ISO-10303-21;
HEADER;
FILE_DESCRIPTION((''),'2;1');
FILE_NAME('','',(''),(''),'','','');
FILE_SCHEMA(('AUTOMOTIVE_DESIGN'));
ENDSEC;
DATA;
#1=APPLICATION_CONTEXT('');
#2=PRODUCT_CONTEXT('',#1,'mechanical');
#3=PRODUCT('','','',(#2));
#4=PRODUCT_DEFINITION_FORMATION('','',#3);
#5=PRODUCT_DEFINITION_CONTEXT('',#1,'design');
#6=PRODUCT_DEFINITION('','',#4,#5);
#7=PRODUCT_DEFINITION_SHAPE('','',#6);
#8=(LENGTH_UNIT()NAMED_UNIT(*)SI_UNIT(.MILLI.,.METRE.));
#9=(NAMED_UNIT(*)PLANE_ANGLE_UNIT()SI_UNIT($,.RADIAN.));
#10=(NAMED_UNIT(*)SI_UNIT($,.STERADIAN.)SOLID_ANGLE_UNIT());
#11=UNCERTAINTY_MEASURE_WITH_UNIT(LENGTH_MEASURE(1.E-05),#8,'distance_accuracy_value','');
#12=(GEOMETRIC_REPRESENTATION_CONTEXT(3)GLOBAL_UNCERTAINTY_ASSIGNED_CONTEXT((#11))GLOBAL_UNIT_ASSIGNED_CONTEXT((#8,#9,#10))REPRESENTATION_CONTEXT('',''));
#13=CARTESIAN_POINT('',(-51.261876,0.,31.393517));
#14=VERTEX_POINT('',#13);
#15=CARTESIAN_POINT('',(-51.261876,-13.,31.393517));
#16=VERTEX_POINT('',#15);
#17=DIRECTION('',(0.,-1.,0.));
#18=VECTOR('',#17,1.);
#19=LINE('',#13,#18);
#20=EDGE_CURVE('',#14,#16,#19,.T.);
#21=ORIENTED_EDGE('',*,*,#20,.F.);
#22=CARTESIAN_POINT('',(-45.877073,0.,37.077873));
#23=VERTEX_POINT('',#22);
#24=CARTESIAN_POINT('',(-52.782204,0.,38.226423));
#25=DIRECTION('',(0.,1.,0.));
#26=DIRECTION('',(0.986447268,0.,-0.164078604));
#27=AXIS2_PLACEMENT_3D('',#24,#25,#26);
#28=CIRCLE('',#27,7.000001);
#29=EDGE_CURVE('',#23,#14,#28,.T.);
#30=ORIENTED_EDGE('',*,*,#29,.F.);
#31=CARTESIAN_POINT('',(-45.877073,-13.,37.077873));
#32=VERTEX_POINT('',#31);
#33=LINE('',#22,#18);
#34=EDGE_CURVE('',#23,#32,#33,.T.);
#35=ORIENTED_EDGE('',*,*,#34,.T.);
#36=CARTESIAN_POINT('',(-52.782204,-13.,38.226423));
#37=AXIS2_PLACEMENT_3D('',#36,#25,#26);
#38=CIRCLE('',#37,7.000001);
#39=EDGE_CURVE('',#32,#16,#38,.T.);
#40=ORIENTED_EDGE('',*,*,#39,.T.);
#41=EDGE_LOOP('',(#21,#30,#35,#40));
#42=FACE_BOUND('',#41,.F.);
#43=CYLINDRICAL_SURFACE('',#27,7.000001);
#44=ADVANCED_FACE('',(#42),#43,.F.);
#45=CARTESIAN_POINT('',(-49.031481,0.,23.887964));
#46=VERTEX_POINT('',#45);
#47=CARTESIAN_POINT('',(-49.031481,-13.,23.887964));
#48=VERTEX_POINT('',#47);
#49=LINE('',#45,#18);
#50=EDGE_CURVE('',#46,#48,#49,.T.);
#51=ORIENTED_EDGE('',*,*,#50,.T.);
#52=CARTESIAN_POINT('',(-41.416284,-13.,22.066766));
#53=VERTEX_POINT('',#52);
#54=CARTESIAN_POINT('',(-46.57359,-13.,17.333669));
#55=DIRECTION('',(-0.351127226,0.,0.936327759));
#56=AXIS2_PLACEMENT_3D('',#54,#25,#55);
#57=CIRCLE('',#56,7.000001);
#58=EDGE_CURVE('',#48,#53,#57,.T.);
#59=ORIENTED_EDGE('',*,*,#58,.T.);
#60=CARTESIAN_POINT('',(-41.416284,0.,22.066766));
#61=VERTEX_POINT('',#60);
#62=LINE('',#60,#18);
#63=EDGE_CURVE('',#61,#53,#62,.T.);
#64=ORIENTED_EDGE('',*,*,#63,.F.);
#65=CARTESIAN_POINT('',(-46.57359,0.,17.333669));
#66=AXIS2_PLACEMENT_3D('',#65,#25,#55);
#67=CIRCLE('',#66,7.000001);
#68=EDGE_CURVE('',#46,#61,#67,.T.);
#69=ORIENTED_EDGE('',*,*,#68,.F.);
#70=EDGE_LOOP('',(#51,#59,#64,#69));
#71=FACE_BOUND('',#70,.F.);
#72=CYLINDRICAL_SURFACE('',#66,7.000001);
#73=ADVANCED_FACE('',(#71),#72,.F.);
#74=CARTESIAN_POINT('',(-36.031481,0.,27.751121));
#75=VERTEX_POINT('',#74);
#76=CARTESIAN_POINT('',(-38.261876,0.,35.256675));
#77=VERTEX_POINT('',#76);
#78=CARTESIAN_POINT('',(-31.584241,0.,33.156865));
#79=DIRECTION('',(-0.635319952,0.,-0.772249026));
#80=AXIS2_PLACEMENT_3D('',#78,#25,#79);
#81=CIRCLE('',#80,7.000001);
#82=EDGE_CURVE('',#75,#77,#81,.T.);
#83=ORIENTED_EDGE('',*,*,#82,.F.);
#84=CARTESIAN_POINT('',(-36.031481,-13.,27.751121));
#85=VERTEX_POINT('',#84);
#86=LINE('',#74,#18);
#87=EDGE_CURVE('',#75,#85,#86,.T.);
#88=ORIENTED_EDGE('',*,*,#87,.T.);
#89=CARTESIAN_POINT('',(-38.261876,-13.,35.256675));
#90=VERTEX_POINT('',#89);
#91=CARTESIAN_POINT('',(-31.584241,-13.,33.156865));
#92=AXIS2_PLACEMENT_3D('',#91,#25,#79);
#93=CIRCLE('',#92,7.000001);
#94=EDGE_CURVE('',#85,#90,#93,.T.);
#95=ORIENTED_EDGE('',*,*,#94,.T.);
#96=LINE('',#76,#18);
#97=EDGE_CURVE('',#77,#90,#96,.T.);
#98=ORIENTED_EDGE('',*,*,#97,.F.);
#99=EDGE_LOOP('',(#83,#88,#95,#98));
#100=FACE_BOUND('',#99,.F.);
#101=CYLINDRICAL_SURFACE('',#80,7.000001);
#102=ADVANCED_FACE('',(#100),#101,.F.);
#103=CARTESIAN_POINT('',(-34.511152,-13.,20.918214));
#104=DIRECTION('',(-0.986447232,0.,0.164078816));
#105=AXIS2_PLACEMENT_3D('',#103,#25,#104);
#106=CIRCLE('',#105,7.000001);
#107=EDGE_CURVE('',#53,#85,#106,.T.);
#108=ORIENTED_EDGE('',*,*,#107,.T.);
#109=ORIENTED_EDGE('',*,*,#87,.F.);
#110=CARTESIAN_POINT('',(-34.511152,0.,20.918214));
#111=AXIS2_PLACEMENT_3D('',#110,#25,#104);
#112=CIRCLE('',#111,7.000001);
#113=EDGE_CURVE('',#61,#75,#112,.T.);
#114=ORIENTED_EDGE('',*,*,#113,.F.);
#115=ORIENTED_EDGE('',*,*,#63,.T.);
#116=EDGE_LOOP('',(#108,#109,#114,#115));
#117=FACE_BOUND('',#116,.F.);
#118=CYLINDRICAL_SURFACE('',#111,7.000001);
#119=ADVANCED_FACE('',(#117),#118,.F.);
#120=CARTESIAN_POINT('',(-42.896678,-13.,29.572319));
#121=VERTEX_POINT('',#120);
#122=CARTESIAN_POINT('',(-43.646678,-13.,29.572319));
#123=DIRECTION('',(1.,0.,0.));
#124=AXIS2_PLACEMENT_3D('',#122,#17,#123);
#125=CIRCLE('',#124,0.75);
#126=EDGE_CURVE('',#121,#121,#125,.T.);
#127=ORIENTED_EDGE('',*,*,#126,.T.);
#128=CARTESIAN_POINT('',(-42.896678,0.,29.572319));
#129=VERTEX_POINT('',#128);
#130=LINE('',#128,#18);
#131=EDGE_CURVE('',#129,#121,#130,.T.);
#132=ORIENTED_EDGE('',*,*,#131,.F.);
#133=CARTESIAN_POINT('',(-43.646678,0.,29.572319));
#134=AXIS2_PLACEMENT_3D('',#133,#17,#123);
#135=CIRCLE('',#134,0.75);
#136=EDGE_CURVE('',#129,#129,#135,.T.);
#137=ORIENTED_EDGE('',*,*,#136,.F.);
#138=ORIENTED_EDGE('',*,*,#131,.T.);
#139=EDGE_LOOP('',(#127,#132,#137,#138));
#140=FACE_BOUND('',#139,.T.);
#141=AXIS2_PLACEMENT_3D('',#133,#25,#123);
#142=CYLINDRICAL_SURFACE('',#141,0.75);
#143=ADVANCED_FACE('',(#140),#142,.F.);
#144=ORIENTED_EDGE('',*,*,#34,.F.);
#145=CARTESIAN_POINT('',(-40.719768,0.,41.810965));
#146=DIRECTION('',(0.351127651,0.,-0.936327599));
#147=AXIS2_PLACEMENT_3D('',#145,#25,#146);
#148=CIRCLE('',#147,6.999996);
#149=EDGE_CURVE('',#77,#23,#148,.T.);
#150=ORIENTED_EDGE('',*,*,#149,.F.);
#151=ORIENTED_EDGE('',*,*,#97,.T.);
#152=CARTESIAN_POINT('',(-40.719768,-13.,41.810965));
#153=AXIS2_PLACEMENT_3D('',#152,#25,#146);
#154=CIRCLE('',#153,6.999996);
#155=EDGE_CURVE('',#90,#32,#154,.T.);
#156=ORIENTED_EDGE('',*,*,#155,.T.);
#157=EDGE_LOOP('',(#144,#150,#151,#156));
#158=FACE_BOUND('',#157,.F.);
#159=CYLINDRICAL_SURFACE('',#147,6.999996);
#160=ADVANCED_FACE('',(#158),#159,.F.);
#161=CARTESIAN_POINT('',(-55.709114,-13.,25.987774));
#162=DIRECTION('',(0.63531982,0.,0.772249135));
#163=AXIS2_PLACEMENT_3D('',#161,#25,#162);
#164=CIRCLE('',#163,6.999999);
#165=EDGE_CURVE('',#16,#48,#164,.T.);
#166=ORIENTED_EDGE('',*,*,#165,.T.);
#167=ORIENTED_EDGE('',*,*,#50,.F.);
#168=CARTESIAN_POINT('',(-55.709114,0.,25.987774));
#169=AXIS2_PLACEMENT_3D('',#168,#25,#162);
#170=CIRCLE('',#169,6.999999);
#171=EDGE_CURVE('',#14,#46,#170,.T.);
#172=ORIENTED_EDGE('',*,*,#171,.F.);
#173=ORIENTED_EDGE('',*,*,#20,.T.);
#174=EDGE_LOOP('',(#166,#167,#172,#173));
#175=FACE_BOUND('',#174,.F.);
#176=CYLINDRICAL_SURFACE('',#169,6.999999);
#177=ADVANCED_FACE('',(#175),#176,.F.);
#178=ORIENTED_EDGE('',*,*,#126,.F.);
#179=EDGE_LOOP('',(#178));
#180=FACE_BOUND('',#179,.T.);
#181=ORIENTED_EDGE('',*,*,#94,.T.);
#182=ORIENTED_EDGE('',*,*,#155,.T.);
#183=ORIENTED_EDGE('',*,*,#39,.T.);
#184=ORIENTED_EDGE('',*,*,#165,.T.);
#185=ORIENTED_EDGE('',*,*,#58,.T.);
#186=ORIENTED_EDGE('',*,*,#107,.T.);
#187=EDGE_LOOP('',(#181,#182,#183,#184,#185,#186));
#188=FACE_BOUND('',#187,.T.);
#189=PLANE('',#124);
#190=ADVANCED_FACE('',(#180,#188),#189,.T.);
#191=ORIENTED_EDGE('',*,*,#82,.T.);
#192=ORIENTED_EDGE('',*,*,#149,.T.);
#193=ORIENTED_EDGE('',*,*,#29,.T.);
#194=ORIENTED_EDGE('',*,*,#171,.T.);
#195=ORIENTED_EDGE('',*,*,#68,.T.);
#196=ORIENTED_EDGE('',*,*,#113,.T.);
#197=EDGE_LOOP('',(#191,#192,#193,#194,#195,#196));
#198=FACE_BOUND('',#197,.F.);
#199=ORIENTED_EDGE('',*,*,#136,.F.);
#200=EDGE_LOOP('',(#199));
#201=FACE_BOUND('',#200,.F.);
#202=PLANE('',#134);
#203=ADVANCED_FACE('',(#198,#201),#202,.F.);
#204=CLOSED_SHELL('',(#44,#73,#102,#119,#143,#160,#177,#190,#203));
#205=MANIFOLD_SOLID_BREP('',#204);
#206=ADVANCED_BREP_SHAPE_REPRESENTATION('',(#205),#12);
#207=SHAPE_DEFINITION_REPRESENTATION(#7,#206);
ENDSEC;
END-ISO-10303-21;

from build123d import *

# Parameters (mm, degrees)
F0_R     = 0.75
F1_DEPTH = 13


with BuildPart() as f1:
    # F0 (on Front) → F1 (new body)
    with BuildSketch(Plane.XZ):
        with BuildLine():
            ThreePointArc((-45.877073, 37.077873), (-47.700367, 33.412388), (-51.261876, 31.393517))
            ThreePointArc((-51.261876, 31.393517), (-48.99912, 27.981756), (-49.031481, 23.887964))
            ThreePointArc((-49.031481, 23.887964), (-44.945431, 24.141687), (-41.416284, 22.066766))
            ThreePointArc((-41.416284, 22.066766), (-39.592989, 25.732251), (-36.031481, 27.751121))
            ThreePointArc((-36.031481, 27.751121), (-38.294237, 31.162883), (-38.261876, 35.256675))
            ThreePointArc((-38.261876, 35.256675), (-42.347926, 35.002951), (-45.877073, 37.077873))
        make_face()
        with Locations((-43.646678, 29.572319)):
            Circle(F0_R, mode=Mode.SUBTRACT)
    extrude(amount=F1_DEPTH)


solid = f1.part
